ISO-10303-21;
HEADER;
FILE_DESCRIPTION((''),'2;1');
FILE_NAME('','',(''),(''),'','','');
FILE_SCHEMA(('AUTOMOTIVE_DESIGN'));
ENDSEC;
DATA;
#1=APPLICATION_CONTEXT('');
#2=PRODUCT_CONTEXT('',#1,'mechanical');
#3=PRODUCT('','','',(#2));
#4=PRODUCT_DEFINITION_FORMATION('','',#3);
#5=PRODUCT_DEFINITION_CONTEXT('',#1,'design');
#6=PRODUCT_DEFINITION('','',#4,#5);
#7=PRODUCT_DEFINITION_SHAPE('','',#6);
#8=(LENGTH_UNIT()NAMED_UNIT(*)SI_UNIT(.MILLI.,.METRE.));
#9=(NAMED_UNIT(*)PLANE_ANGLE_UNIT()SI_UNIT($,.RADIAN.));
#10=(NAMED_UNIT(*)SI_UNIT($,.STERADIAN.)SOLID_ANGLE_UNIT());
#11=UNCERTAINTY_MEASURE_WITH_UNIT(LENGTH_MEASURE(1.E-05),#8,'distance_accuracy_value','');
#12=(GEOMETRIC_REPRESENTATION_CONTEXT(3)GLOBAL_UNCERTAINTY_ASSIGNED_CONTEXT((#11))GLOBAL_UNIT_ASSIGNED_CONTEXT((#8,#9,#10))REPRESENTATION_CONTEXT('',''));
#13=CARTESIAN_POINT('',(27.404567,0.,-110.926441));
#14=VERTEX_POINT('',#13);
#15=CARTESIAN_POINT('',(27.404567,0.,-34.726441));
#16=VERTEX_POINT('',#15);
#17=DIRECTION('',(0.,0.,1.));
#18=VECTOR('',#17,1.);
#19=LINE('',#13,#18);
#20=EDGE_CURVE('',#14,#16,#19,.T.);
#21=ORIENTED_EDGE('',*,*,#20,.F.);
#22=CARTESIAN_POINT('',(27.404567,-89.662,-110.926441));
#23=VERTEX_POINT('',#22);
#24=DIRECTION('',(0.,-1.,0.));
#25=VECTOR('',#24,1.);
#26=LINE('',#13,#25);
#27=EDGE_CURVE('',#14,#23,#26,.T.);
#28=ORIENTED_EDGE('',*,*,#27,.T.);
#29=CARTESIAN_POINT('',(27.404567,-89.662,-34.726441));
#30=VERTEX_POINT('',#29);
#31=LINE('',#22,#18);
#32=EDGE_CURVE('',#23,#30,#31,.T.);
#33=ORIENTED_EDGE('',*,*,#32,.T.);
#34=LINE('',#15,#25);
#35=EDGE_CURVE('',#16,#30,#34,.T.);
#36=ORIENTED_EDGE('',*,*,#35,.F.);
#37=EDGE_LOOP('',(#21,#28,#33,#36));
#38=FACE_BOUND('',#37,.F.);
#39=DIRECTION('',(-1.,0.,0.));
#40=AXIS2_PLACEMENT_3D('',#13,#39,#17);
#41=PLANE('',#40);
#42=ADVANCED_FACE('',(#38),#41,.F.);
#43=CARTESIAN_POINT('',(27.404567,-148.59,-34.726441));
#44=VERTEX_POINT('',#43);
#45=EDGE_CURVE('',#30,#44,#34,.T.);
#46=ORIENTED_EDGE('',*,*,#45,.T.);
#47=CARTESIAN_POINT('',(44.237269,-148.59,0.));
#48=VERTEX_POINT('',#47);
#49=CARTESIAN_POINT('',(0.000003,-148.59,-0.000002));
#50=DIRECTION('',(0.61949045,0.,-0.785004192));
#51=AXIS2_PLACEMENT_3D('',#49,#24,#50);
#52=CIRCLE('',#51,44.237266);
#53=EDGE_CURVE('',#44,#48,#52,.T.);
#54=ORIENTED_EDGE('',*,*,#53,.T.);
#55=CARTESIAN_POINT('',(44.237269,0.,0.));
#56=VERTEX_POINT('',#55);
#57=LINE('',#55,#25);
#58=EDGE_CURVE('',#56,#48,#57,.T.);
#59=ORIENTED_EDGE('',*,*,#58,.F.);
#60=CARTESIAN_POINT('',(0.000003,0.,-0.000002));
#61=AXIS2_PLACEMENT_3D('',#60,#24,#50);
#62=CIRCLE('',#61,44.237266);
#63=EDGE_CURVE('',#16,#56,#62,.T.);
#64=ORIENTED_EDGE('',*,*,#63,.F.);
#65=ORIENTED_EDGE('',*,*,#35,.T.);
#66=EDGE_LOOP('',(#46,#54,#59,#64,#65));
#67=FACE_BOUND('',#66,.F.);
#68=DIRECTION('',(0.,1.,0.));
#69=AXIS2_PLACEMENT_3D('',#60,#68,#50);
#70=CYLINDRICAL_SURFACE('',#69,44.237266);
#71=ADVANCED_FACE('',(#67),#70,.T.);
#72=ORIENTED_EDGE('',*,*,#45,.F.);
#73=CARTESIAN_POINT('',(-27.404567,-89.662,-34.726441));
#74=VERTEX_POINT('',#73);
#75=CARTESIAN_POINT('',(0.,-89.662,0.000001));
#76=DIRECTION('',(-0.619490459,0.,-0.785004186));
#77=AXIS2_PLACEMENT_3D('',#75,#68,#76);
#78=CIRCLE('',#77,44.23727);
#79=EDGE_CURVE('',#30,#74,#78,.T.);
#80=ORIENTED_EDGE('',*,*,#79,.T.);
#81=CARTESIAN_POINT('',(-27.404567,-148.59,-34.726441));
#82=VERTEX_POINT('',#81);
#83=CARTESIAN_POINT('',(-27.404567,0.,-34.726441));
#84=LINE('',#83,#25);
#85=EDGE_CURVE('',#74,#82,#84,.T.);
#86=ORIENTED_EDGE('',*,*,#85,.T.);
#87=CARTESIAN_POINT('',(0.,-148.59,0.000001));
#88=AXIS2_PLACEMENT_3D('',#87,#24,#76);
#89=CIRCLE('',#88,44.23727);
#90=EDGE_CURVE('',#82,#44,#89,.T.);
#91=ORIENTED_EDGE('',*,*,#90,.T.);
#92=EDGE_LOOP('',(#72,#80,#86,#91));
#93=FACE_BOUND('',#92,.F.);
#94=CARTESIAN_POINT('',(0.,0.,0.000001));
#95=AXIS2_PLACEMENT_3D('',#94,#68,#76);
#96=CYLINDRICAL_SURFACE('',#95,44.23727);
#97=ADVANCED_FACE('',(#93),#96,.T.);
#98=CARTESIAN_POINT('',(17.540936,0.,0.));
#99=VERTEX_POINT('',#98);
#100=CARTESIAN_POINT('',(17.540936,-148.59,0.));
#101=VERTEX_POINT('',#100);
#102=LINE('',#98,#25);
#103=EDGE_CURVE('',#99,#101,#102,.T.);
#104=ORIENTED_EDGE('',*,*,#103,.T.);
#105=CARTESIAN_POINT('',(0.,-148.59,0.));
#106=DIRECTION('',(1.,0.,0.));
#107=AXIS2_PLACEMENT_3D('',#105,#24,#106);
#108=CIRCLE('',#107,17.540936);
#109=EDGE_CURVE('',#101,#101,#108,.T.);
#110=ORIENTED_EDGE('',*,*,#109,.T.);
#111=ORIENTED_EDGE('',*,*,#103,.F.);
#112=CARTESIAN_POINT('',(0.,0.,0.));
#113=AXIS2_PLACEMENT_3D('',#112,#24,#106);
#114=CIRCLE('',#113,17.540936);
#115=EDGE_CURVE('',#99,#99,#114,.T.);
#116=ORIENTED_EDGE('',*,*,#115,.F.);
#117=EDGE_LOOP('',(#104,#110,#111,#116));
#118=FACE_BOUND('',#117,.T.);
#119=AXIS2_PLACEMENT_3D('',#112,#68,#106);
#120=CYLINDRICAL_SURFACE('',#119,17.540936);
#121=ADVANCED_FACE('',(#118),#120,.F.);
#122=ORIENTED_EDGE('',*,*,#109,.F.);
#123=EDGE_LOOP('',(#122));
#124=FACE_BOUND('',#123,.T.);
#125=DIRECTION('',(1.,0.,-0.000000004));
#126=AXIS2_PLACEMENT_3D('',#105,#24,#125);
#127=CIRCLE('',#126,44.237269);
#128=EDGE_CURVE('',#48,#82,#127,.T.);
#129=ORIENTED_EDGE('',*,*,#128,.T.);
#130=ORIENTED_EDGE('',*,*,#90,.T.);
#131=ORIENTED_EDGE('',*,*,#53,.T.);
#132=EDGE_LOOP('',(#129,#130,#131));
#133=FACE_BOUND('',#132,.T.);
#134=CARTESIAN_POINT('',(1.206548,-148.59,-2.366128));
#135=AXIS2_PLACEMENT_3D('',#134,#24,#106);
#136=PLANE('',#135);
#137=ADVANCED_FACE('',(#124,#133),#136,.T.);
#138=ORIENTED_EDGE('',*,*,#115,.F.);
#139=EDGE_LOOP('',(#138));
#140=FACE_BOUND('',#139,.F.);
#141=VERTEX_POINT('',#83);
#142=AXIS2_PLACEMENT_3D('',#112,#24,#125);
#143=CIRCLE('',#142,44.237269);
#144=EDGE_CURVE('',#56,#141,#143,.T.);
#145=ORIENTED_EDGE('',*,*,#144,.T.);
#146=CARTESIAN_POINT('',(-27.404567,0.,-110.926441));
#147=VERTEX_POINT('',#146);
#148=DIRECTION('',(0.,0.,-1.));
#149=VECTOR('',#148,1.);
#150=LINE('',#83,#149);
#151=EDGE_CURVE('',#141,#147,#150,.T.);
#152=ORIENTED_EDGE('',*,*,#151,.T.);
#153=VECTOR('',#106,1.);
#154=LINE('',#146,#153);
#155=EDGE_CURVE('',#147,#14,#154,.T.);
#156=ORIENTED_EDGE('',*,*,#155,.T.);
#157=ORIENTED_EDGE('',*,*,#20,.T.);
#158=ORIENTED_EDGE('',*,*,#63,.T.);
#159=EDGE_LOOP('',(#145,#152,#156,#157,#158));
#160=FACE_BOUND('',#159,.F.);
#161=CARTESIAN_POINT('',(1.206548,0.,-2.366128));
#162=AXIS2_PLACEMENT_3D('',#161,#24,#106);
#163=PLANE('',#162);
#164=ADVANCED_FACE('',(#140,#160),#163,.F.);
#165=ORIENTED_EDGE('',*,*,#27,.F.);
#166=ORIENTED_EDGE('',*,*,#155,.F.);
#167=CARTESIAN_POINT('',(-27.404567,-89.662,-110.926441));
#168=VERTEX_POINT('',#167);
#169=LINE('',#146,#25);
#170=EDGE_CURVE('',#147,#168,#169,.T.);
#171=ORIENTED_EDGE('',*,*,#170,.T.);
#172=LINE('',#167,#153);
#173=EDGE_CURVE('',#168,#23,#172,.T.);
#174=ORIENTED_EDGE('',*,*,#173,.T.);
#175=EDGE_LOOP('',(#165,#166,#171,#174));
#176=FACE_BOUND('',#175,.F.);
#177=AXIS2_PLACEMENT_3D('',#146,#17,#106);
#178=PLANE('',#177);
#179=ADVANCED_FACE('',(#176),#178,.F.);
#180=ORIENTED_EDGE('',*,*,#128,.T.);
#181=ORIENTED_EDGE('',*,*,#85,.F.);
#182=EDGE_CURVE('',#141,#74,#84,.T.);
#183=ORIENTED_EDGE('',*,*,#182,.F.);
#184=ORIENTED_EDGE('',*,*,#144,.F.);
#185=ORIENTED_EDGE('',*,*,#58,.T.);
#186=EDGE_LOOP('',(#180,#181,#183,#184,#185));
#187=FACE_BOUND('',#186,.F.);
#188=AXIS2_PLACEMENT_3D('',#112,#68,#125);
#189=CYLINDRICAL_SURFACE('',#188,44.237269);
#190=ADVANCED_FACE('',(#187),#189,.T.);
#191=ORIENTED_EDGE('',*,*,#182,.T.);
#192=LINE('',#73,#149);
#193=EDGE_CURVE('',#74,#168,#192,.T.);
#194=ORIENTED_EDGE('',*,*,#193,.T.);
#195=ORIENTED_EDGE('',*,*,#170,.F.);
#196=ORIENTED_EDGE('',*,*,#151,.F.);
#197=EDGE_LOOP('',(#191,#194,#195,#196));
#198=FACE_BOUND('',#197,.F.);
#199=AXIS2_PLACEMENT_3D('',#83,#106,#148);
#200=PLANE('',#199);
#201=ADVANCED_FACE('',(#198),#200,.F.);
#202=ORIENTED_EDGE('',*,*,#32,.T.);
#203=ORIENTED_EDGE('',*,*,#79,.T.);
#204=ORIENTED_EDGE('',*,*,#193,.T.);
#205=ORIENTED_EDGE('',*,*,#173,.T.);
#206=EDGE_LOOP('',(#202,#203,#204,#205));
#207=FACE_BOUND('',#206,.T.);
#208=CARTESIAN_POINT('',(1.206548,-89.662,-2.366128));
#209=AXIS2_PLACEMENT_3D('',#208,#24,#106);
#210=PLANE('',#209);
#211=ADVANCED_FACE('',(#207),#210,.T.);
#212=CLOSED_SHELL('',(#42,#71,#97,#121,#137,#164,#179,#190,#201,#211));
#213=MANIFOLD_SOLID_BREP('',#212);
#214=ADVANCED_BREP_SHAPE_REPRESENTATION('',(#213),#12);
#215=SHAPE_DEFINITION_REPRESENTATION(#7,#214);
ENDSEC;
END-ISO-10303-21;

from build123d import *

# Parameters (mm, degrees)
F0_R     = 17.540936
F1_DEPTH = 148.59
F2_DEPTH = 89.662


with BuildPart() as f1:
    # F0 (on Front) → F1 (new body)
    with BuildSketch(Plane.XZ):
        with BuildLine():
            ThreePointArc((27.404567, -34.726441), (39.807281, -19.295502), (44.237269, 0))
            ThreePointArc((44.237269, 0), (-19.295502, 39.807281), (-27.404567, -34.726441))
            ThreePointArc((-27.404567, -34.726441), (0, -44.237269), (27.404567, -34.726441))
        make_face()
        Circle(F0_R, mode=Mode.SUBTRACT)
    extrude(amount=F1_DEPTH)

    # F0 (on Front) → F2 (join)
    with BuildSketch(Plane.XZ):
        with BuildLine():
            ThreePointArc((27.404567, -34.726441), (39.807281, -19.295502), (44.237269, 0))
            ThreePointArc((44.237269, 0), (-19.295502, 39.807281), (-27.404567, -34.726441))
            ThreePointArc((-27.404567, -34.726441), (0, -44.237269), (27.404567, -34.726441))
        make_face()
        Circle(F0_R, mode=Mode.SUBTRACT)
        with BuildLine():
            ThreePointArc((27.404567, -34.726441), (0, -44.237269), (-27.404567, -34.726441))
            Line((-27.404567, -34.726441), (-27.404567, -110.926441))
            Line((-27.404567, -110.926441), (27.404567, -110.926441))
            Line((27.404567, -110.926441), (27.404567, -34.726441))
        make_face()
    extrude(amount=F2_DEPTH)


solid = f1.part
